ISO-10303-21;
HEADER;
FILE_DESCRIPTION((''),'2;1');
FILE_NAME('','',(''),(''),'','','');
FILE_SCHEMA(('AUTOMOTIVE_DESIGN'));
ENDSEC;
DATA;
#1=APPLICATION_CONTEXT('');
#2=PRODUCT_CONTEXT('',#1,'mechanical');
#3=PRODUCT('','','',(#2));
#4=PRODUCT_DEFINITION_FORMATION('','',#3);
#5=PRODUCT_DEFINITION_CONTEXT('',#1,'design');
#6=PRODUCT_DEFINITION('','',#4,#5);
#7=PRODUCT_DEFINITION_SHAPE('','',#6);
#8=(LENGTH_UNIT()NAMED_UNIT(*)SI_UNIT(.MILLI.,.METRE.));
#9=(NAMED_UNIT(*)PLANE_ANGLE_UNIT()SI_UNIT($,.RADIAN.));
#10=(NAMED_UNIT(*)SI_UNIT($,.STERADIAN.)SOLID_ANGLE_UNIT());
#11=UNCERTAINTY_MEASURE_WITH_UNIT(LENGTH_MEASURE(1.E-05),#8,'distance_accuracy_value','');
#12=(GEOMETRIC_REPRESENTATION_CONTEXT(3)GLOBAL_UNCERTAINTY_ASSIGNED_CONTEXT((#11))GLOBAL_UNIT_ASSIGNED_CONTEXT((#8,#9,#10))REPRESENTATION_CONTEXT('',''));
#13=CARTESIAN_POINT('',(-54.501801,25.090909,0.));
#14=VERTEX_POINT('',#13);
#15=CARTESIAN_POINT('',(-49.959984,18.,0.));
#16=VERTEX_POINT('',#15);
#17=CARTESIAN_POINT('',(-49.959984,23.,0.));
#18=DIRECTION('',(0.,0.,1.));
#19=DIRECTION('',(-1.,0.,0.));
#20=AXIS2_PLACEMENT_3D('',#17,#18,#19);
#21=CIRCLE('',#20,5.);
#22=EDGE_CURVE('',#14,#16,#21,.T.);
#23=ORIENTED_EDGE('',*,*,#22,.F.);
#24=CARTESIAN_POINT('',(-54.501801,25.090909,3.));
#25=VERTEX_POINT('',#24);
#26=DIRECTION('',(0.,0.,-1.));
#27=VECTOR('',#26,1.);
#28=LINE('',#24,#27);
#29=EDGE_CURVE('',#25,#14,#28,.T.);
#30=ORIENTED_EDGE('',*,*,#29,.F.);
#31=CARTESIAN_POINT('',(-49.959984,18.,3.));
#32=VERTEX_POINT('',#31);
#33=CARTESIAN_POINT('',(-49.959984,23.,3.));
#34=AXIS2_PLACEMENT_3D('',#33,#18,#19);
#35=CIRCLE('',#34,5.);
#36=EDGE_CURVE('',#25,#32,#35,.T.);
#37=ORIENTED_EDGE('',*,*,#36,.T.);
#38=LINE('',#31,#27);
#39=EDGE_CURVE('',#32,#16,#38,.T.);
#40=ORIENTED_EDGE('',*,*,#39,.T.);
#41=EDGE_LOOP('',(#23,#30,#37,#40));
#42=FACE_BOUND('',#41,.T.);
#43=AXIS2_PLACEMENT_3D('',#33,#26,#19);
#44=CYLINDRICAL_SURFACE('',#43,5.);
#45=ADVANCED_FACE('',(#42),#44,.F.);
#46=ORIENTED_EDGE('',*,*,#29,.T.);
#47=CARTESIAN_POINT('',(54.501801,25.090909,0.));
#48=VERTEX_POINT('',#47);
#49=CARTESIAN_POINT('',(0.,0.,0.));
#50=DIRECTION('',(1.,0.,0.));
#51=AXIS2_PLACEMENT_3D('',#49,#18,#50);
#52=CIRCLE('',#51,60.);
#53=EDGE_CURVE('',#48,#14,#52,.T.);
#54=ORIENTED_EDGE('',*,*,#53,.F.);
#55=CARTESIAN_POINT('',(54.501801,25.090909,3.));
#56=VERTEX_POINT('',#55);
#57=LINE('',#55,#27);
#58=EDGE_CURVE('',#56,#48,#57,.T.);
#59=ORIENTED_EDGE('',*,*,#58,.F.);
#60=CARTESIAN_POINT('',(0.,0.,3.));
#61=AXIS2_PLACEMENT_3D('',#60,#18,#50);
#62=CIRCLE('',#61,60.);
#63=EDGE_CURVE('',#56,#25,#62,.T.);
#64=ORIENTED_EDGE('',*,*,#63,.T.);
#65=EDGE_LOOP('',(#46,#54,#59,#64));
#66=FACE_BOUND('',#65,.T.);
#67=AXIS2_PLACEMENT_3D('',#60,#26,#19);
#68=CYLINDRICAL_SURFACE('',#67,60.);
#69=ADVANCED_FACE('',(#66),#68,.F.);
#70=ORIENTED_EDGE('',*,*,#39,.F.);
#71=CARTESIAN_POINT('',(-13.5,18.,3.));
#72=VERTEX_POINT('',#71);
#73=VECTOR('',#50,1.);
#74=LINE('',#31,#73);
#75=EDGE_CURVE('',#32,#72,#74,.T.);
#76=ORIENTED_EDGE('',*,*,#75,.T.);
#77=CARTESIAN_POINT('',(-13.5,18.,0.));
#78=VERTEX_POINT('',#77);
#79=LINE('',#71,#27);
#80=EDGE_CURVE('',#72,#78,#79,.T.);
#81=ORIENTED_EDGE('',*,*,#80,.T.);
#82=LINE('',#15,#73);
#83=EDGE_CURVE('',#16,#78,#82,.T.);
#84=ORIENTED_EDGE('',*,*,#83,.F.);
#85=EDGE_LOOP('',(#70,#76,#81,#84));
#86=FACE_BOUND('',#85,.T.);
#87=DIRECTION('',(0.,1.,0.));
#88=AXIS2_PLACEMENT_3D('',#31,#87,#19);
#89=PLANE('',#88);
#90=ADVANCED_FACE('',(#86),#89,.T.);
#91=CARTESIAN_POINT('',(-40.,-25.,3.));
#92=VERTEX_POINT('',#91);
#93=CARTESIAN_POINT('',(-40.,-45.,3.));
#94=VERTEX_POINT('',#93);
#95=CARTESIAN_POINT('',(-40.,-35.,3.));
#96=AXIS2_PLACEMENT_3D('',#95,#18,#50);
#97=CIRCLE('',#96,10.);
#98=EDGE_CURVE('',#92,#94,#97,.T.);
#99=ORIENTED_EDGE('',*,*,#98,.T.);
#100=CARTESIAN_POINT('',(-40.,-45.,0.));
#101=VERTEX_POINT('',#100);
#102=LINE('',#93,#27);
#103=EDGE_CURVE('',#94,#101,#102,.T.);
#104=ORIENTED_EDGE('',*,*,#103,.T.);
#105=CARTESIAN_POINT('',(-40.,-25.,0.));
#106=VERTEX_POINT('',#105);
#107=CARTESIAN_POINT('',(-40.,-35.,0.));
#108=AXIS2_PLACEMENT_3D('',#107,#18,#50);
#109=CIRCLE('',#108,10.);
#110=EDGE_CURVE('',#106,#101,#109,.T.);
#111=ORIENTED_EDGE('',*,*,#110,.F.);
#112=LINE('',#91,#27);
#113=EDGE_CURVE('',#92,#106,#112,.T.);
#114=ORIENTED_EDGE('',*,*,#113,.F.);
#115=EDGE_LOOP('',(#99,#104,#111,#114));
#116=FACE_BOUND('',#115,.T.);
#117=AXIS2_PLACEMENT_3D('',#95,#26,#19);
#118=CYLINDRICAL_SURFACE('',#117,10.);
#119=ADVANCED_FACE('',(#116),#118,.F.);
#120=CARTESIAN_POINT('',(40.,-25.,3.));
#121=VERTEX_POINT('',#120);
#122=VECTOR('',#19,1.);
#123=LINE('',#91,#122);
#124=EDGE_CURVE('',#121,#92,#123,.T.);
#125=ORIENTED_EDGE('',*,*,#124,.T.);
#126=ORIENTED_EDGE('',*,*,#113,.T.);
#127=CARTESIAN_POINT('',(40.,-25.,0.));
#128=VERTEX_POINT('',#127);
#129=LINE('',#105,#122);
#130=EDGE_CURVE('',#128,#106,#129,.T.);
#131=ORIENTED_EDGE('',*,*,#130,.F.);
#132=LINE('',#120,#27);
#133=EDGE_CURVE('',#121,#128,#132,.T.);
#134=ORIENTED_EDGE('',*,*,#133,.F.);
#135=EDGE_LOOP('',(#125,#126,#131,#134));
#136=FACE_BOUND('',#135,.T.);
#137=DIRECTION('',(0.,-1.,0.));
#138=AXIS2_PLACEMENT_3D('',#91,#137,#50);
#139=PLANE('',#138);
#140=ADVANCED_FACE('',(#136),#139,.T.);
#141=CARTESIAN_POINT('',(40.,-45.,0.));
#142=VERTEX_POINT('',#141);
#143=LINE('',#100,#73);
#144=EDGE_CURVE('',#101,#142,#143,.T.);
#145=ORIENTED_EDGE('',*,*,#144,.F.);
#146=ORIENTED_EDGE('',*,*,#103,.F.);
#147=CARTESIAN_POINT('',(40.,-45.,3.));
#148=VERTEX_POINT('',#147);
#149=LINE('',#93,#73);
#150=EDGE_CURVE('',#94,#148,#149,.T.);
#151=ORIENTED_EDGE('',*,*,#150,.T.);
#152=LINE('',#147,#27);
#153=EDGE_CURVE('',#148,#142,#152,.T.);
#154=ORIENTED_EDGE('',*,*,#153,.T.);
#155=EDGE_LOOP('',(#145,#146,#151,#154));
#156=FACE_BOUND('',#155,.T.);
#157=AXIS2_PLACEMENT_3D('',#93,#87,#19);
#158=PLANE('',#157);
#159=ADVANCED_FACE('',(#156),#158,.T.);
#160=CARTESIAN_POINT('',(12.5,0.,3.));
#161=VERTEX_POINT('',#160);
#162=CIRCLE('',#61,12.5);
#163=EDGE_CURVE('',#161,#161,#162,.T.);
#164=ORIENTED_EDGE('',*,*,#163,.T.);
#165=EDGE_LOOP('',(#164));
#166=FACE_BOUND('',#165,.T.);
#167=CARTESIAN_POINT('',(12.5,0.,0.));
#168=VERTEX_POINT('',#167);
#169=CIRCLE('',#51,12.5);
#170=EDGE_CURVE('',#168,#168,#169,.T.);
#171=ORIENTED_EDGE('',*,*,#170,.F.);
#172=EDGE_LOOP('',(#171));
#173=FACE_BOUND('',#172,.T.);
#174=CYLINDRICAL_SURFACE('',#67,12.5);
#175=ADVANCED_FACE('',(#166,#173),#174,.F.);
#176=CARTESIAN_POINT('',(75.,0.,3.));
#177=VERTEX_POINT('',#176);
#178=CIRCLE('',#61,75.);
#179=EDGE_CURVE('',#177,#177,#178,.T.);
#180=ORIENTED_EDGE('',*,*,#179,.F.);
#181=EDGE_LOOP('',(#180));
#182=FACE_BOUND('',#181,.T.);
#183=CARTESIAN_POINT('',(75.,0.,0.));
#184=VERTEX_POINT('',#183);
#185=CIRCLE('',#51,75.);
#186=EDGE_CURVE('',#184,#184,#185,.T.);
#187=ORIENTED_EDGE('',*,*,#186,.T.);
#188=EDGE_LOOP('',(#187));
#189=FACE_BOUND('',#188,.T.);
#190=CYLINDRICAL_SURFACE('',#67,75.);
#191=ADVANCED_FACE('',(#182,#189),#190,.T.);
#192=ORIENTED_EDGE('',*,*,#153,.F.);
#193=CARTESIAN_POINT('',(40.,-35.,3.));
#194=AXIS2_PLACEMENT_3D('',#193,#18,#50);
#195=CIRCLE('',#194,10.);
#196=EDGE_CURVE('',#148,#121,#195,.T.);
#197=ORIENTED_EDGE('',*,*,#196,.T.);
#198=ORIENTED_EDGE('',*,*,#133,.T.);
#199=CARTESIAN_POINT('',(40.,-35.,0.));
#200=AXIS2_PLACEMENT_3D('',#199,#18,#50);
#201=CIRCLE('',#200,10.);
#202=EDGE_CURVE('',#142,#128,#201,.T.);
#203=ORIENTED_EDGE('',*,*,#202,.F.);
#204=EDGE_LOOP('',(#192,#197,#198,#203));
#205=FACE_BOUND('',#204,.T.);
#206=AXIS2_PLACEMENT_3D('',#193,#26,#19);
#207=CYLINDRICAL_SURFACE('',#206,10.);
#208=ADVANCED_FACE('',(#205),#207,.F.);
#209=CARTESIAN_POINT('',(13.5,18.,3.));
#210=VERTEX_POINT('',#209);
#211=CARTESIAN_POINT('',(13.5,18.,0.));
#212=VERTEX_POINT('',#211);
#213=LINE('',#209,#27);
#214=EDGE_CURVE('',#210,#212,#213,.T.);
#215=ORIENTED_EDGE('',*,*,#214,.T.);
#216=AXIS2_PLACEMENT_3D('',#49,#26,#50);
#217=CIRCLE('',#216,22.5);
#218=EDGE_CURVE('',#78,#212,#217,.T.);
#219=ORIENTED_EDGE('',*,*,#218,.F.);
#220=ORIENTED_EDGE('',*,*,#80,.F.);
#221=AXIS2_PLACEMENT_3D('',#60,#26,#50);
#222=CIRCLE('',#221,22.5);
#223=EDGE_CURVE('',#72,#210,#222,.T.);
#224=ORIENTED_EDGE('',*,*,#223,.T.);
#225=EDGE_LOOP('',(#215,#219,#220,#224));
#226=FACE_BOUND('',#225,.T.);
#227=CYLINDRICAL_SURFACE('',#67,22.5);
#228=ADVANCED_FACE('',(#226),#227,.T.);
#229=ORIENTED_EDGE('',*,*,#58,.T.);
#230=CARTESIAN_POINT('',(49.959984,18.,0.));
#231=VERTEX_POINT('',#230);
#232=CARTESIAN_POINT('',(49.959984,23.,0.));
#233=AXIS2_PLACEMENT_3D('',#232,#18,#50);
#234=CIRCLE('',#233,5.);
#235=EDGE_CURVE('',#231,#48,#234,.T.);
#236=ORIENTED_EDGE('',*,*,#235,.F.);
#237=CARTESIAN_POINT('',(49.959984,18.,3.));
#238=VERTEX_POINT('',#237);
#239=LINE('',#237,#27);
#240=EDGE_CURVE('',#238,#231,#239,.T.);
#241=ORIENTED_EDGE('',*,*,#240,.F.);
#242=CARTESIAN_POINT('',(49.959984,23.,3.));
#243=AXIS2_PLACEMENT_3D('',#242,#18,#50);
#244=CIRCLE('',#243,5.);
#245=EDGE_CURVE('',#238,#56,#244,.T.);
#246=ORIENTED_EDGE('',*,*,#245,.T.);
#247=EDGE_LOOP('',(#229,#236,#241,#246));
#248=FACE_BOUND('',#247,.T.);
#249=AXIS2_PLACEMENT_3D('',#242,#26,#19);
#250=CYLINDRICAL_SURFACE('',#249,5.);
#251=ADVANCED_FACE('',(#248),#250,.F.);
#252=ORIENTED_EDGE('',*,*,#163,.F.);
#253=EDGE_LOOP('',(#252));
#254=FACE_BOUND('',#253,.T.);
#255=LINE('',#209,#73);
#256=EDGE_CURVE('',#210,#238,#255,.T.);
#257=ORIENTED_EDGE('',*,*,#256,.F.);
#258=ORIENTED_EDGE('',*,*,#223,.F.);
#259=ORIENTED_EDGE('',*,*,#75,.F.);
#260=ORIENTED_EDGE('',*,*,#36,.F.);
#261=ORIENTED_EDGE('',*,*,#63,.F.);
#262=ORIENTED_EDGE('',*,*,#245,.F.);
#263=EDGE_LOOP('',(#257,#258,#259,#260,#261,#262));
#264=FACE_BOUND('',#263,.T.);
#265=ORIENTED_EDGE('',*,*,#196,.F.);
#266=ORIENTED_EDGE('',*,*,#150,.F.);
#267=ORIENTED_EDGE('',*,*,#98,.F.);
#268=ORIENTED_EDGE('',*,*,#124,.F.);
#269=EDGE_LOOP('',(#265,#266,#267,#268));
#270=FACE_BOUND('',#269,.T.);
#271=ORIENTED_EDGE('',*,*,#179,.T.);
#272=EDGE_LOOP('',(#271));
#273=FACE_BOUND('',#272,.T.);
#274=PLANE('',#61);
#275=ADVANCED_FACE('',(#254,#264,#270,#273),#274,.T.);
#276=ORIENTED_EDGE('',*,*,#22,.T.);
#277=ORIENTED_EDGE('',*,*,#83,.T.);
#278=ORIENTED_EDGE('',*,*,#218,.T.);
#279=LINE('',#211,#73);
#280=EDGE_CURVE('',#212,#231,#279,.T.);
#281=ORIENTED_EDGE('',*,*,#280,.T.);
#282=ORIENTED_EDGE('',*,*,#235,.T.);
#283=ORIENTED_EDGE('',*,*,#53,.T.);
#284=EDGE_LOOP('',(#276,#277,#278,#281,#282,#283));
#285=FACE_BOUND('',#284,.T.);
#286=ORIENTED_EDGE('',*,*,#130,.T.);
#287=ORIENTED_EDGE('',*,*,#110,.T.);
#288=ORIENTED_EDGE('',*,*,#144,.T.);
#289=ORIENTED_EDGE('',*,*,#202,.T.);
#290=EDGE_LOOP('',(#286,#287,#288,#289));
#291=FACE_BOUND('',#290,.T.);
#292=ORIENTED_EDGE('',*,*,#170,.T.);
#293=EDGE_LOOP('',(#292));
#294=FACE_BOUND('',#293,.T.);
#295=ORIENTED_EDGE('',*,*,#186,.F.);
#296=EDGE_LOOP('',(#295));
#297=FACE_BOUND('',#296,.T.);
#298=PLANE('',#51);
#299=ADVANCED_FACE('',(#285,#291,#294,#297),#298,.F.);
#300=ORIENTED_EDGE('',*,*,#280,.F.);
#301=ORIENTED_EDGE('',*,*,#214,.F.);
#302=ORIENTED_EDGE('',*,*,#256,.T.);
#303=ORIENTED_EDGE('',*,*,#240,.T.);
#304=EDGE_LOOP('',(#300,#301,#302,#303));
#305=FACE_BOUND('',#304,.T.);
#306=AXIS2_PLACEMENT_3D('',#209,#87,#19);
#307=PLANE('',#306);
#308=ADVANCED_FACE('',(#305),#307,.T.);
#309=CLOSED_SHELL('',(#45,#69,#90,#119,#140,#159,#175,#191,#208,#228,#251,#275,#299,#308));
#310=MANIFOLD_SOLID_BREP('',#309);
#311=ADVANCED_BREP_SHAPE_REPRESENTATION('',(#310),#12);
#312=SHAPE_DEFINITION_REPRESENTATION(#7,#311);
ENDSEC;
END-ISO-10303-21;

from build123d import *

# Parameters (mm, degrees)
SKETCH1_R           = 75
SKETCH1_R_2         = 12.5
BOSS_EXTRUDE1_DEPTH = 3


with BuildPart() as part:
    # Sketch1 → Boss-Extrude1 (new body)
    with BuildSketch(Plane.XY):
        Circle(SKETCH1_R)
        Circle(SKETCH1_R_2, mode=Mode.SUBTRACT)
        with BuildLine():
            Line((-40, -25), (40, -25))
            ThreePointArc((40, -25), (50, -35), (40, -45))
            Line((40, -45), (-40, -45))
            ThreePointArc((-40, -45), (-50, -35), (-40, -25))
        make_face(mode=Mode.SUBTRACT)
        with BuildLine():
            Line((-49.959983987, 18), (-13.5, 18))
            ThreePointArc((-13.5, 18), (0, 22.5), (13.5, 18))
            Line((13.5, 18), (49.959983987, 18))
            ThreePointArc((49.959983987, 18), (54.170360779, 20.30320055), (54.501800713, 25.090909091))
            ThreePointArc((54.501800713, 25.090909091), (0, 60), (-54.501800713, 25.090909091))
            ThreePointArc((-54.501800713, 25.090909091), (-54.170360779, 20.30320055), (-49.959983987, 18))
        make_face(mode=Mode.SUBTRACT)
    extrude(amount=BOSS_EXTRUDE1_DEPTH)


solid = part.part
